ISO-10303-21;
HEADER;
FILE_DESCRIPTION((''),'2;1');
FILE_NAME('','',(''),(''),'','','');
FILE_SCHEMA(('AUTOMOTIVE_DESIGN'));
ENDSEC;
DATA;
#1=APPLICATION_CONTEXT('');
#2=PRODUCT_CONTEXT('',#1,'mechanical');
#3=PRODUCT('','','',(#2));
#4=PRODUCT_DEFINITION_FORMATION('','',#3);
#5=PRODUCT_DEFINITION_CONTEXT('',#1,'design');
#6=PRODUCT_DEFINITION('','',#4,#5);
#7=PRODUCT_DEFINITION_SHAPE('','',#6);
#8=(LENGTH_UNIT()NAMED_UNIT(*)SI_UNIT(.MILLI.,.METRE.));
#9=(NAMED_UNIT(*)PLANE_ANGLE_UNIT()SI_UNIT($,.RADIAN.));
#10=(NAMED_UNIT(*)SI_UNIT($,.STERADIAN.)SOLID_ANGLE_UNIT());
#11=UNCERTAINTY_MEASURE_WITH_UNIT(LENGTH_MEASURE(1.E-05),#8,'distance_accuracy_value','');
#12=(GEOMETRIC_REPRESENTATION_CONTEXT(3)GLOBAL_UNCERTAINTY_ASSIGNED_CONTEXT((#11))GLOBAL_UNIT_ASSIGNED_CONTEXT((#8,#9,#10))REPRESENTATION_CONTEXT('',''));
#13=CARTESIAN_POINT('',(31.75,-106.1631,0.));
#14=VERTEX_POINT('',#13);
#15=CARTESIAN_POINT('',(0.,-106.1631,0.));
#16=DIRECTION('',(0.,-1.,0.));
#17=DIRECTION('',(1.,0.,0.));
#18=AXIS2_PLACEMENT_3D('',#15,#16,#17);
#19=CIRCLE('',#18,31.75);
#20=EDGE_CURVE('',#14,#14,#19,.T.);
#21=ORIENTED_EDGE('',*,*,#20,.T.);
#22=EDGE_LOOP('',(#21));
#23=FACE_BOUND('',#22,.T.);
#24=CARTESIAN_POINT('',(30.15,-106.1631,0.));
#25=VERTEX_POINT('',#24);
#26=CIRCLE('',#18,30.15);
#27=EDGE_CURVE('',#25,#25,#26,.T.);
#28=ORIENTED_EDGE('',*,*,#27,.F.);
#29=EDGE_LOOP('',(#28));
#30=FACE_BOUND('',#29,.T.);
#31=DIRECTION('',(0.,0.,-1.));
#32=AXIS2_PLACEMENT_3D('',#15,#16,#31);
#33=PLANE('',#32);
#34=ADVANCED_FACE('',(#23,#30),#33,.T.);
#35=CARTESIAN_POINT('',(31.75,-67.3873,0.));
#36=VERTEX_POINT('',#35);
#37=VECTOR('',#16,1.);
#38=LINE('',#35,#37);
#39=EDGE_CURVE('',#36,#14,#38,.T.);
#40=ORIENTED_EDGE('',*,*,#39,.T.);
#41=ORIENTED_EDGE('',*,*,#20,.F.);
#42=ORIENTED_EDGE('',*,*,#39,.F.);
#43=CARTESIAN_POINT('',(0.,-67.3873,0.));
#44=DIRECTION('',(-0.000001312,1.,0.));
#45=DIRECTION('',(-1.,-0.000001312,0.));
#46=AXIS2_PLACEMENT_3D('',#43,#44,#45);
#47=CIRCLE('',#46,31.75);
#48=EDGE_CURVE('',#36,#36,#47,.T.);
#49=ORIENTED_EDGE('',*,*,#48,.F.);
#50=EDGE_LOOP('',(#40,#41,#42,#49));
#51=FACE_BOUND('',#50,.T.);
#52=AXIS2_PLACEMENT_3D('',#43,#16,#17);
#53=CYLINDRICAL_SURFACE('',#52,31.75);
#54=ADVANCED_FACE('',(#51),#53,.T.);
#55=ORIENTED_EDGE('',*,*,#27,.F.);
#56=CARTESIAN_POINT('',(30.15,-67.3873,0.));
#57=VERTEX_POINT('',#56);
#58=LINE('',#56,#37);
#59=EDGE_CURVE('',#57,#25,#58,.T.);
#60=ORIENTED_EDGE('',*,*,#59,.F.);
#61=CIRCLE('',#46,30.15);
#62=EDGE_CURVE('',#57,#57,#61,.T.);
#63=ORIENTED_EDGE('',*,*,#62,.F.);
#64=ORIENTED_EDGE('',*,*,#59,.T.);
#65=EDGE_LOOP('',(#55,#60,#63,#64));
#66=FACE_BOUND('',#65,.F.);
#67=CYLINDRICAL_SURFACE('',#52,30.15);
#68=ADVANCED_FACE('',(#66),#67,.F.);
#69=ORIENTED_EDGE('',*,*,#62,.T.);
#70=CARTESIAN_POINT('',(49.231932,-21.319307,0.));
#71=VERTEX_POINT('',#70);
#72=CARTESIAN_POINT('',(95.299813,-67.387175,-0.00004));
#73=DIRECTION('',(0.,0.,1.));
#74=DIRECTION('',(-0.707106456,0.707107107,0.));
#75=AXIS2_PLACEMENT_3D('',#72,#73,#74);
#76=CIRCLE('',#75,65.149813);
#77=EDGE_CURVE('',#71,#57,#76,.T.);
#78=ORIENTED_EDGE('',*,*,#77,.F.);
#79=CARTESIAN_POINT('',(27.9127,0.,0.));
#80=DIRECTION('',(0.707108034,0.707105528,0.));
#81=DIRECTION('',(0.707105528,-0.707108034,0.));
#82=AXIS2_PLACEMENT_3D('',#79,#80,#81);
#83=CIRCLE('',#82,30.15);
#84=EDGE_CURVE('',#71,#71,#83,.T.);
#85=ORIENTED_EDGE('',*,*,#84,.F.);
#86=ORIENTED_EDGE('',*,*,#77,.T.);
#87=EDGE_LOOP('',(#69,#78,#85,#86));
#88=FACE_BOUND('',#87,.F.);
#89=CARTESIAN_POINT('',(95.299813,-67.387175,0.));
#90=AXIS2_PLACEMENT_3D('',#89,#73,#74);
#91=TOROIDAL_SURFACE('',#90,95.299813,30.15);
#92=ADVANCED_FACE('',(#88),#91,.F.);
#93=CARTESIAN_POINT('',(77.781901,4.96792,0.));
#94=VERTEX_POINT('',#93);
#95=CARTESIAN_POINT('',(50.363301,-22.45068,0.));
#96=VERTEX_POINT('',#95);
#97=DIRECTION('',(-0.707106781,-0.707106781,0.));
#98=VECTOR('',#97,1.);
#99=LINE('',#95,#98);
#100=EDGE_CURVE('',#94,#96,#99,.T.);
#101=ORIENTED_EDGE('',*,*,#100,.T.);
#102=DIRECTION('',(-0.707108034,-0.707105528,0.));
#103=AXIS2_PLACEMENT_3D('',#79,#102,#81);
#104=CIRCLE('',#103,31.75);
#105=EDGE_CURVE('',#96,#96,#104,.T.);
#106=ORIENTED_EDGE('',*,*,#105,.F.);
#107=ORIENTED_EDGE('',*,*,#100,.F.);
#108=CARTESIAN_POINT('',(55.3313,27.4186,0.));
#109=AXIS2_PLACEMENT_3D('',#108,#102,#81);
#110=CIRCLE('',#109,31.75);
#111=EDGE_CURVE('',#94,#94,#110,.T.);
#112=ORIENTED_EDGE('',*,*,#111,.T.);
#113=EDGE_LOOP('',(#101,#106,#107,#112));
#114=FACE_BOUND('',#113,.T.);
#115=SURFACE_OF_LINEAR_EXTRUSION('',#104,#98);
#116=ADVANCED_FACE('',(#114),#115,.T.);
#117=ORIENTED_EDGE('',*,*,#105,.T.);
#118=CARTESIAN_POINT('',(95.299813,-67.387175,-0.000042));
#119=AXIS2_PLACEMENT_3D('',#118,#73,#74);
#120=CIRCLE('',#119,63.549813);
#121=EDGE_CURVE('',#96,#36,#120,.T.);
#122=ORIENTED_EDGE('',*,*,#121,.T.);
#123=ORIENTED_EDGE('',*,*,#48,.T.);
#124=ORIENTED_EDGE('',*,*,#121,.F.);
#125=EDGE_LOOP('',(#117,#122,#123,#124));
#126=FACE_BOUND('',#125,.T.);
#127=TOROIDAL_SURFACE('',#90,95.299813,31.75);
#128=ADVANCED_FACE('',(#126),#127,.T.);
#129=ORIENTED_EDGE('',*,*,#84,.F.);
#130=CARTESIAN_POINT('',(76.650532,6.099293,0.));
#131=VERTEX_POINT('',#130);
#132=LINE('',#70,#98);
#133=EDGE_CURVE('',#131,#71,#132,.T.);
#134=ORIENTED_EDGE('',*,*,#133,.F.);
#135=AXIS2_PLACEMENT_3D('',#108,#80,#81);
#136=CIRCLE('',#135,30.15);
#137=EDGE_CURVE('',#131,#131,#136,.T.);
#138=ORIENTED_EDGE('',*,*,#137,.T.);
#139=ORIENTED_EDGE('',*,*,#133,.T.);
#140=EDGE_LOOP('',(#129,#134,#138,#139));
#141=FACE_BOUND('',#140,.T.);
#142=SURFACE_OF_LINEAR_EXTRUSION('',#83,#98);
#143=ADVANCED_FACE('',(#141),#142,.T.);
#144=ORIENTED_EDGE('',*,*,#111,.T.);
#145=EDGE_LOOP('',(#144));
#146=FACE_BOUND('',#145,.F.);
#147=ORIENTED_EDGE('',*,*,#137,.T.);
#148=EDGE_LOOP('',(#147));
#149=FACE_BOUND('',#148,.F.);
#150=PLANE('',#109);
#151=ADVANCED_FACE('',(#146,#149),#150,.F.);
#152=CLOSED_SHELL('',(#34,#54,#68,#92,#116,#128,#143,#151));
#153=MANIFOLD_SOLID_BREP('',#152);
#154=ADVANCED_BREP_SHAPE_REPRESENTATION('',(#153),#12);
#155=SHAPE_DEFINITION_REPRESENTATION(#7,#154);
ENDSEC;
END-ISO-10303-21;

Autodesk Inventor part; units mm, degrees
ref_plane "YZ Plane" through (0, 0, 0) normal (1, 0, 0) x (0, 1, 0)
ref_plane "XZ Plane" through (0, 0, 0) normal (0, 1, 0) x (-1, 0, 0)
sketch "Szkic6" plane through (0, 0, 0) normal (0, 0, 1) x (1, 0, 0)
  line L0 (-29.6067, 0) -> (35.2678, 0) construction
  line L1 (0, 42.3419) -> (0, -58.3726) construction
  arc A0 (27.9127, 0) -> (0, -67.3873) centre (95.3, -67.3873) ccw
  line L2 (0, -67.3873) -> (95.3, -67.3873) construction
  line L3 (95.3, -67.3873) -> (48.9611, -21.0484) construction
  line L4 (27.9127, 0) -> (55.3313, 27.4186)
  line L5 (0, -67.3873) -> (0, -106.1631)
  point P0 (0, 0)
  dimension "d24" = 95.3
  dimension "d31" = 45
  dimension "d36" = 38.7758
  dimension "d37" = 38.7758
ref_plane "Płaszczyzna konstrukcyjna2" through (0, -67.3873, 0) normal (0, -1, 0) x (1, 0, 0)
sketch "Szkic8" plane through (0, -67.3873, 0) normal (0, -1, 0) x (1, 0, 0)
  circle A0 centre (0, 0) radius 31.75
  circle A1 centre (0, 0) radius 30.15
  dimension "d32" = 63.5
  dimension "d33" = 1.6
sweep "Przeciągnięcie2" add profiles "Szkic8" path "Szkic6"
equation "\"d32\" = OD"
equation "\"d33\" = THK"
equation "\"d24\" = R"
equation "\"d31\" = KAT"
equation "\"d36\" = PROSTKA"
equation "\"d37\" = PROSTKA"
equation "\"SzerokośćGięciaPodcięcia\" = Grubość"
equation "\"RozmiarPodcięciaNarożnika\" = 4 * Grubość"
equation "\"PromieńPrzejścia\" = PromieńGięcia"
equation "\"Rozmiar_promienia_Jacobiego\" = PromieńGięcia"
equation "\"Wielk_odstępu\" = Grubość"
equation "\"d2\" = PromieńGięcia"
equation "\"d23\" = PromieńGięcia"
equation "\"R\" = 95.3"
equation "\"OD\" = 63.5"
equation "\"THK\" = 1.6"
equation "\"KAT\" = 45deg"
equation "\"PROSTKA\" = 38.77578"
equation "\"Grubość\" = 1.5"
equation "\"PromieńGięcia\" = 3"
properties part number "Kolano 45° ø63,5x1,6 R95,3" material "304L"
